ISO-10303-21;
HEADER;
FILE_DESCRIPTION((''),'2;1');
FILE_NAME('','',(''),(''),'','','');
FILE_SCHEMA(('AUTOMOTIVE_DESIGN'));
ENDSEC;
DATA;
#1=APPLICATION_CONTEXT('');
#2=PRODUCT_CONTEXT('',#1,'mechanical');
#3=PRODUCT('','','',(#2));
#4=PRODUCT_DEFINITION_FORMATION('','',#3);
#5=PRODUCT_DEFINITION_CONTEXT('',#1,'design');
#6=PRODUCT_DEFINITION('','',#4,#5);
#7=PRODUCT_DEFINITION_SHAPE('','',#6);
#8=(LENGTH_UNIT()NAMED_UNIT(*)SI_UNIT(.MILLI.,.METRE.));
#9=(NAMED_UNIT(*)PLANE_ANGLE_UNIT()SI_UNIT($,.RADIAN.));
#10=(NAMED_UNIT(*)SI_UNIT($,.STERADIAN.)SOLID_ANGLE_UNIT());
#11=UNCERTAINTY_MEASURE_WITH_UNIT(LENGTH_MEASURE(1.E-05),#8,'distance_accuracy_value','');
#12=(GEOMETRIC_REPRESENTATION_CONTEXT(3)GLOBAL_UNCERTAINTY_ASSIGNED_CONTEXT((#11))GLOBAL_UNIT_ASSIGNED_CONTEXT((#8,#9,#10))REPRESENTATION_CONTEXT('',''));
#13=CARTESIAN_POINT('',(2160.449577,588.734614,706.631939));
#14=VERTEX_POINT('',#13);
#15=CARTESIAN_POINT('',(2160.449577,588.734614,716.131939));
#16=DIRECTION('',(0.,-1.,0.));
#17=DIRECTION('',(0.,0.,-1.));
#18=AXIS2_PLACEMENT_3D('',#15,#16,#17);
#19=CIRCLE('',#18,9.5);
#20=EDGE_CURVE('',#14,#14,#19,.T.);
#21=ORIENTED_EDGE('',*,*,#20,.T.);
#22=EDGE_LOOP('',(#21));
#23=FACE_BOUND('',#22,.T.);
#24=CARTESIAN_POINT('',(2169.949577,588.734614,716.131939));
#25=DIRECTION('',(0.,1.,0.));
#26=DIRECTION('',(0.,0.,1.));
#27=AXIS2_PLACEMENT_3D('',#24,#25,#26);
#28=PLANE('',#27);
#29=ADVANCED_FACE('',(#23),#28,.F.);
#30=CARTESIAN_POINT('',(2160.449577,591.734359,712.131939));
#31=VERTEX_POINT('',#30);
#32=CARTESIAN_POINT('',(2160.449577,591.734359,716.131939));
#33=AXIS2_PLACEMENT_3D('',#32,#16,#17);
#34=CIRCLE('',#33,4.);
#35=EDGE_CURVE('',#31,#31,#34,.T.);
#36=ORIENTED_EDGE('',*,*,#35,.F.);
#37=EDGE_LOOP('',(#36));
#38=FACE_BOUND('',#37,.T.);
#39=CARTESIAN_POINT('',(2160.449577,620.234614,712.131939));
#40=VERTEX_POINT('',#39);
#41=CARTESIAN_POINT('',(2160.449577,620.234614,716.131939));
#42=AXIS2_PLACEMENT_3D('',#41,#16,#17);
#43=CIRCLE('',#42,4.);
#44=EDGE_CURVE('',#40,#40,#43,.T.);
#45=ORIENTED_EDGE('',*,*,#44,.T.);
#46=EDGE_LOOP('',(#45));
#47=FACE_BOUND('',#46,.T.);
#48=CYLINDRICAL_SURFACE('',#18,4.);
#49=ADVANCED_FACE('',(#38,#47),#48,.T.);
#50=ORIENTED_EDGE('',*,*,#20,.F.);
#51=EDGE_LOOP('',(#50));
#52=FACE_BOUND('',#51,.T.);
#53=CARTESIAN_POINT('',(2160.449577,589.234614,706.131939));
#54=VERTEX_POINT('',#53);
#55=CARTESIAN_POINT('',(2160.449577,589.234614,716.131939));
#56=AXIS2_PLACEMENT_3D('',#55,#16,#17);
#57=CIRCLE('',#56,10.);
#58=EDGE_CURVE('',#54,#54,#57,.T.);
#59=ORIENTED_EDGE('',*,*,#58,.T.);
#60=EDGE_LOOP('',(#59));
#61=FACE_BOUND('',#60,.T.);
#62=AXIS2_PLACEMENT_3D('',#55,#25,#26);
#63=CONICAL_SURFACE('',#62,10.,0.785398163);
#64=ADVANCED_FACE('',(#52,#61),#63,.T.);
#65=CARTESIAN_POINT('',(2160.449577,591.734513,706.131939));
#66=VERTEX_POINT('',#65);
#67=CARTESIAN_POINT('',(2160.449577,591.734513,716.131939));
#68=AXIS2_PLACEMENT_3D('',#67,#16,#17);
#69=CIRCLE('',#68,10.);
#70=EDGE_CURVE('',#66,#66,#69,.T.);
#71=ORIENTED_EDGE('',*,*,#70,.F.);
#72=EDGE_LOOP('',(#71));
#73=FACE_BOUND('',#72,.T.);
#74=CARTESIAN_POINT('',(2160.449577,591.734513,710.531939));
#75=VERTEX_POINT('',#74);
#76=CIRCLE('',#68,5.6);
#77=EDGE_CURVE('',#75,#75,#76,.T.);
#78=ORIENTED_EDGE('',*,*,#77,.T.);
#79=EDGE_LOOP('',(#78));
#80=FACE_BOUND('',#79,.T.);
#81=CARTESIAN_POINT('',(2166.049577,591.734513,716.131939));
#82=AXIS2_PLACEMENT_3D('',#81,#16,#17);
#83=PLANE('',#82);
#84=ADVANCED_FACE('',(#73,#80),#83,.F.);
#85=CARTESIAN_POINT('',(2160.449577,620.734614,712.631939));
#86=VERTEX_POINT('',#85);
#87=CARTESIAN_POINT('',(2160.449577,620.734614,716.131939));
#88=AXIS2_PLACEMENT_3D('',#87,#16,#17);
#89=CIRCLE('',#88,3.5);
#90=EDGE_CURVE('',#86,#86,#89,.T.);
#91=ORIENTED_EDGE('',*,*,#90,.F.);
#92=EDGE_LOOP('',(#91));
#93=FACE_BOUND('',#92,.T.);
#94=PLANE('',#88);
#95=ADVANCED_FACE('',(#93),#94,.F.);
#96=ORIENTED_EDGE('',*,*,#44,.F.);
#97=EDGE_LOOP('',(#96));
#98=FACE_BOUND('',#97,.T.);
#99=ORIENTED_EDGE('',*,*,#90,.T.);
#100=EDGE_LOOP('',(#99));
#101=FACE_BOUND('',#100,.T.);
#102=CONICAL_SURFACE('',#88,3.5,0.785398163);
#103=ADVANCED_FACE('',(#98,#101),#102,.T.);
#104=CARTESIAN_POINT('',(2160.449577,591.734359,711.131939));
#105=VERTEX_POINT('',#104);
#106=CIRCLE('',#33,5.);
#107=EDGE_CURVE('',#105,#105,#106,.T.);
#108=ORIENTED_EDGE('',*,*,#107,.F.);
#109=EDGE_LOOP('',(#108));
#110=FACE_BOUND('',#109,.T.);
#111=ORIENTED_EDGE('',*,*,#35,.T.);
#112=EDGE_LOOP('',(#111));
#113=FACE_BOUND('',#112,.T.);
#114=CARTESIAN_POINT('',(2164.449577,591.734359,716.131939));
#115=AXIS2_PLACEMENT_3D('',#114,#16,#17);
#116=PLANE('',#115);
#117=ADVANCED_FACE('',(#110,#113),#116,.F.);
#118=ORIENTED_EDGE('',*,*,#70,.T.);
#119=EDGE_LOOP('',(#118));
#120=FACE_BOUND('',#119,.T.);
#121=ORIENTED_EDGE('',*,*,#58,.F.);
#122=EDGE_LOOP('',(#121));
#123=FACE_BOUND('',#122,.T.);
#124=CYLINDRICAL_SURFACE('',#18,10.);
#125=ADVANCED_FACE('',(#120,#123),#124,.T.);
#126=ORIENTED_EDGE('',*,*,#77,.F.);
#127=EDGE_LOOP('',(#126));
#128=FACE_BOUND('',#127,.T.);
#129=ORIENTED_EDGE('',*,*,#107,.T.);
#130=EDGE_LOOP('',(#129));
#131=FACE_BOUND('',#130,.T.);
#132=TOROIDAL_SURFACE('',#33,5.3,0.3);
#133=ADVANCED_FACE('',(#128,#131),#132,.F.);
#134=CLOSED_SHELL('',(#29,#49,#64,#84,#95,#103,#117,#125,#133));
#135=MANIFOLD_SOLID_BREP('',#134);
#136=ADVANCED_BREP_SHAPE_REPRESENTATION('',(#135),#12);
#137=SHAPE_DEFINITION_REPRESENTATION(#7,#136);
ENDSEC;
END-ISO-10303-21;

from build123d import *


with BuildPart() as part:
    # Esquisse1 → Base-Révolution (revolve)
    with BuildSketch(Plane(origin=(0, 0, 716.131939029), x_dir=(-1, 0, 0), z_dir=(0, 0, -1)), mode=Mode.PRIVATE) as base_r_volution_sk:
        with BuildLine():
            Line((-2169.949576888, 588.734614361), (-2160.449576888, 588.734614361))
            Line((-2160.449576888, 588.734614361), (-2160.449576888, 620.734614361))
            Line((-2160.449576888, 620.734614361), (-2163.949576888, 620.734614361))
            Line((-2163.949576888, 620.734614361), (-2164.449576888, 620.234614361))
            Line((-2164.449576888, 620.234614361), (-2164.449576888, 605.534359442))
            Line((-2164.449576888, 605.534359442), (-2164.449576888, 591.734359161))
            Line((-2164.449576888, 591.734359161), (-2165.449576888, 591.734359161))
            ThreePointArc((-2165.449576888, 591.734359161), (-2165.749653787, 591.434359171), (-2166.049576849, 591.734512958))
            Line((-2166.049576849, 591.734512958), (-2170.449576888, 591.734512958))
            Line((-2170.449576888, 591.734512958), (-2170.449576888, 589.234614361))
            Line((-2170.449576888, 589.234614361), (-2169.949576888, 588.734614361))
        make_face()
    revolve(base_r_volution_sk.sketch.rotate(Axis((2160.449576888, 588.734614361, 716.131939029), (0, 1, 0)), 90), axis=Axis((2160.449576888, 588.734614361, 716.131939029), (0, 1, 0)))


solid = part.part
